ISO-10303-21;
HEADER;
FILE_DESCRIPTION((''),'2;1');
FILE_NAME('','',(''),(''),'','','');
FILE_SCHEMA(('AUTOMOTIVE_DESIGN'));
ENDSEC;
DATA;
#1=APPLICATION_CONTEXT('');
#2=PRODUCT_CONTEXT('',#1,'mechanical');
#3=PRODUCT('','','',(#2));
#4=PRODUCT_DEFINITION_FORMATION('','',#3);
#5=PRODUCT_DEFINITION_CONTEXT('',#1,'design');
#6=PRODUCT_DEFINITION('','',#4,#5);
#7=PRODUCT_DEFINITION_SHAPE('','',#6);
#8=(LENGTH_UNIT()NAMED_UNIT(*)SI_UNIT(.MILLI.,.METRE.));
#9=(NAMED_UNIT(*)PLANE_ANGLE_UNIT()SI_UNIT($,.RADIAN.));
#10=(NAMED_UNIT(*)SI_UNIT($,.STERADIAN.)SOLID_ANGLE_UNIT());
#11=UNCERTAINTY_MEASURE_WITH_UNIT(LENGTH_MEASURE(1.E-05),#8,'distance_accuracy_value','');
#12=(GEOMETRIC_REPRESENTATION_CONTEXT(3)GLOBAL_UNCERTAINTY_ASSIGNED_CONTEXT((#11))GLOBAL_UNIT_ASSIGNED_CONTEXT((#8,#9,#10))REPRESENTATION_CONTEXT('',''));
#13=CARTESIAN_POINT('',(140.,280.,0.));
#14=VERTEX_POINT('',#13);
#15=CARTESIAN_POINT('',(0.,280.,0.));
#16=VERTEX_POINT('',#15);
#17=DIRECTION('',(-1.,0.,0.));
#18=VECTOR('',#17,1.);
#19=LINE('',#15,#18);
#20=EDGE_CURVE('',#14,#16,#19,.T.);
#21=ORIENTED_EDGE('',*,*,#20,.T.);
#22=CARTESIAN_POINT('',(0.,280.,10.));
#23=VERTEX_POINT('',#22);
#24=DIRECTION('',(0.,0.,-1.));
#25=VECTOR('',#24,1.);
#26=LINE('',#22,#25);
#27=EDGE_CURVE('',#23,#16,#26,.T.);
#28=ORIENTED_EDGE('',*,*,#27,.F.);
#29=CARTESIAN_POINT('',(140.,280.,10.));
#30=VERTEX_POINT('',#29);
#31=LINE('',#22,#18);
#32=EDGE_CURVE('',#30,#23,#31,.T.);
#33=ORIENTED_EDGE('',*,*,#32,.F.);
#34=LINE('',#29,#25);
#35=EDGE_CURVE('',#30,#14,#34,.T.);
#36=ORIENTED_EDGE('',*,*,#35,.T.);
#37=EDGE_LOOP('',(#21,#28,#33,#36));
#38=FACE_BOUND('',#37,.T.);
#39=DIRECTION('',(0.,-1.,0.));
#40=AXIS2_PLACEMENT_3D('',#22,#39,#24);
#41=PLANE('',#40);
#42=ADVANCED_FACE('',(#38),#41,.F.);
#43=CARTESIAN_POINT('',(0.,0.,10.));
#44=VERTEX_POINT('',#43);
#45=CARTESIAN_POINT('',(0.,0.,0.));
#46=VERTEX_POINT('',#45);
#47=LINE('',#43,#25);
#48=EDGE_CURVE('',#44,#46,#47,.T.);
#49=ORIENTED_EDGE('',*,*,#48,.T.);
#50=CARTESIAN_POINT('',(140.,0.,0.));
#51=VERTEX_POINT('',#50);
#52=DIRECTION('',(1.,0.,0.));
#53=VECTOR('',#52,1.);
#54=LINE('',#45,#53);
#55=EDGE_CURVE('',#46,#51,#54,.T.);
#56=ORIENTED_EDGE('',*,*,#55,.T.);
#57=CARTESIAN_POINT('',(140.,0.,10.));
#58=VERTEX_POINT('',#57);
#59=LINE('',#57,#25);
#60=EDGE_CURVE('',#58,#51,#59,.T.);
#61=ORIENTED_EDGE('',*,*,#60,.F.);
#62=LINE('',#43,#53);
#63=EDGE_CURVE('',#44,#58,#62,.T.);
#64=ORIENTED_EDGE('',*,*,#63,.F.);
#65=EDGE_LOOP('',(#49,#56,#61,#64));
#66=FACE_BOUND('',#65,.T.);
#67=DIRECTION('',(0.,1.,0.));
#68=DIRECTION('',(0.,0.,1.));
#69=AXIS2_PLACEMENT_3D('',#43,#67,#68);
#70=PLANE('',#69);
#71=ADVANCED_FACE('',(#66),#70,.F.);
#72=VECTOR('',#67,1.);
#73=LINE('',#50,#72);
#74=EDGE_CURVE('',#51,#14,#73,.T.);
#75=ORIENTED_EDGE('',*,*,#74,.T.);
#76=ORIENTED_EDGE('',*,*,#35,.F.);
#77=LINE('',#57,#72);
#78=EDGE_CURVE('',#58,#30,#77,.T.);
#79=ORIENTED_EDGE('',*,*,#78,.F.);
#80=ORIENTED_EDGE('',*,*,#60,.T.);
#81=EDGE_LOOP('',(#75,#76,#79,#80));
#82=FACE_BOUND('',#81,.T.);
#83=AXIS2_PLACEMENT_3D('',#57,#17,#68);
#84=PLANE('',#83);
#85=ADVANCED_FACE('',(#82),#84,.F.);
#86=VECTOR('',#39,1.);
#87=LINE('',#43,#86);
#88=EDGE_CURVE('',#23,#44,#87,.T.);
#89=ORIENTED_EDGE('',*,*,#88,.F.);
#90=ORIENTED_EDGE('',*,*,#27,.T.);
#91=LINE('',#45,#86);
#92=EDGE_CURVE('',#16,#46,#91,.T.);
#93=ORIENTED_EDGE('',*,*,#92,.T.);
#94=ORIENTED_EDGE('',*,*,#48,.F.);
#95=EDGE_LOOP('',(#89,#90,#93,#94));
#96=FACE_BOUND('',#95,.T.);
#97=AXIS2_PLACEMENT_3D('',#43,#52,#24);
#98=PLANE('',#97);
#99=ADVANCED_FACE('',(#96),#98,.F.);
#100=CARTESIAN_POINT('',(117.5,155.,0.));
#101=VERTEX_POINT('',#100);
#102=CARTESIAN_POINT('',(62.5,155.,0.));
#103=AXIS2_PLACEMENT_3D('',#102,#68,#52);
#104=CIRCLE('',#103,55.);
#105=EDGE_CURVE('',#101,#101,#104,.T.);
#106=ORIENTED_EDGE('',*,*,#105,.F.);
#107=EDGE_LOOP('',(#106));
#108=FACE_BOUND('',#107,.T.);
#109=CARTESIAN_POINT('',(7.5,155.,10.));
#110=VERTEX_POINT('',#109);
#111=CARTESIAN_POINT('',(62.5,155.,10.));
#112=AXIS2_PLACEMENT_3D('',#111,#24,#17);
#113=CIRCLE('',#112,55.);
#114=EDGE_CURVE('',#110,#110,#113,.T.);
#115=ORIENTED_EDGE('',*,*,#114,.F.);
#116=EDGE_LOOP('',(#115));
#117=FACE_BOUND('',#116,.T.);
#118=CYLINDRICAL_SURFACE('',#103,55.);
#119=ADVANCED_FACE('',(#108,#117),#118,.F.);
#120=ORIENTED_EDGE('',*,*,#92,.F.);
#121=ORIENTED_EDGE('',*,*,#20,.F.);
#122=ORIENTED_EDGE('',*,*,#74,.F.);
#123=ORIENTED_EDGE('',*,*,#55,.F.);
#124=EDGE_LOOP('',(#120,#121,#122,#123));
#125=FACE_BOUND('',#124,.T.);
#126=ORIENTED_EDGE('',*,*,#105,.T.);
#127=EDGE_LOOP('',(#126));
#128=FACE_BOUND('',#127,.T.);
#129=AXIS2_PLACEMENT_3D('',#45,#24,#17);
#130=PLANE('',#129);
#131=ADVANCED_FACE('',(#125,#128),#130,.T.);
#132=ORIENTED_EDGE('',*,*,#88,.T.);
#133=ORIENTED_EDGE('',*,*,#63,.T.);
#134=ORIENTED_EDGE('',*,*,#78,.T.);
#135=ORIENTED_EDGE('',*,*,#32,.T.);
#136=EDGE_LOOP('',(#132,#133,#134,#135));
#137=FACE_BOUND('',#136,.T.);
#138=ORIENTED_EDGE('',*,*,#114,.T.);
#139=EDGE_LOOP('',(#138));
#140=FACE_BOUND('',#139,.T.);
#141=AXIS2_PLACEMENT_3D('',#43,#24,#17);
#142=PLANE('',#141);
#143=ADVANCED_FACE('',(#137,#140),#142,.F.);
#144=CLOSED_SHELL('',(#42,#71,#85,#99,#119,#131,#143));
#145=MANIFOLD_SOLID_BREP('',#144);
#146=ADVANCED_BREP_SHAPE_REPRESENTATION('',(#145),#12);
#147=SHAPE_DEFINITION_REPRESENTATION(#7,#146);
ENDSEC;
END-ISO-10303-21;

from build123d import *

# Parameters (mm, degrees)
ESQUISSE1_W                  = 140
ESQUISSE1_H                  = 280
BOSS_EXTRU_1_DEPTH           = 10
ENL_V_MAT_EXTRU_1_DEPTH      = 314.209195267
ENL_V_MAT_EXTRU_1_DEPTH_BACK = 314.209195267
ESQUISSE2_R                  = 55


with BuildPart() as part:
    # Esquisse1 → Boss.-Extru.1 (new body)
    with BuildSketch(Plane.XY):
        with Locations((70, 140)):
            Rectangle(ESQUISSE1_W, ESQUISSE1_H)
    extrude(amount=BOSS_EXTRU_1_DEPTH)

    # Esquisse2 → Enlèv. mat.-Extru.1 (cut, two sides: drawn at the far end of the back side and taken through both)
    with BuildSketch(Plane.XY.offset(10).offset(-ENL_V_MAT_EXTRU_1_DEPTH_BACK)):
        with Locations((62.5, 155)):
            Circle(ESQUISSE2_R)
    extrude(amount=ENL_V_MAT_EXTRU_1_DEPTH + ENL_V_MAT_EXTRU_1_DEPTH_BACK, mode=Mode.SUBTRACT)


solid = part.part
